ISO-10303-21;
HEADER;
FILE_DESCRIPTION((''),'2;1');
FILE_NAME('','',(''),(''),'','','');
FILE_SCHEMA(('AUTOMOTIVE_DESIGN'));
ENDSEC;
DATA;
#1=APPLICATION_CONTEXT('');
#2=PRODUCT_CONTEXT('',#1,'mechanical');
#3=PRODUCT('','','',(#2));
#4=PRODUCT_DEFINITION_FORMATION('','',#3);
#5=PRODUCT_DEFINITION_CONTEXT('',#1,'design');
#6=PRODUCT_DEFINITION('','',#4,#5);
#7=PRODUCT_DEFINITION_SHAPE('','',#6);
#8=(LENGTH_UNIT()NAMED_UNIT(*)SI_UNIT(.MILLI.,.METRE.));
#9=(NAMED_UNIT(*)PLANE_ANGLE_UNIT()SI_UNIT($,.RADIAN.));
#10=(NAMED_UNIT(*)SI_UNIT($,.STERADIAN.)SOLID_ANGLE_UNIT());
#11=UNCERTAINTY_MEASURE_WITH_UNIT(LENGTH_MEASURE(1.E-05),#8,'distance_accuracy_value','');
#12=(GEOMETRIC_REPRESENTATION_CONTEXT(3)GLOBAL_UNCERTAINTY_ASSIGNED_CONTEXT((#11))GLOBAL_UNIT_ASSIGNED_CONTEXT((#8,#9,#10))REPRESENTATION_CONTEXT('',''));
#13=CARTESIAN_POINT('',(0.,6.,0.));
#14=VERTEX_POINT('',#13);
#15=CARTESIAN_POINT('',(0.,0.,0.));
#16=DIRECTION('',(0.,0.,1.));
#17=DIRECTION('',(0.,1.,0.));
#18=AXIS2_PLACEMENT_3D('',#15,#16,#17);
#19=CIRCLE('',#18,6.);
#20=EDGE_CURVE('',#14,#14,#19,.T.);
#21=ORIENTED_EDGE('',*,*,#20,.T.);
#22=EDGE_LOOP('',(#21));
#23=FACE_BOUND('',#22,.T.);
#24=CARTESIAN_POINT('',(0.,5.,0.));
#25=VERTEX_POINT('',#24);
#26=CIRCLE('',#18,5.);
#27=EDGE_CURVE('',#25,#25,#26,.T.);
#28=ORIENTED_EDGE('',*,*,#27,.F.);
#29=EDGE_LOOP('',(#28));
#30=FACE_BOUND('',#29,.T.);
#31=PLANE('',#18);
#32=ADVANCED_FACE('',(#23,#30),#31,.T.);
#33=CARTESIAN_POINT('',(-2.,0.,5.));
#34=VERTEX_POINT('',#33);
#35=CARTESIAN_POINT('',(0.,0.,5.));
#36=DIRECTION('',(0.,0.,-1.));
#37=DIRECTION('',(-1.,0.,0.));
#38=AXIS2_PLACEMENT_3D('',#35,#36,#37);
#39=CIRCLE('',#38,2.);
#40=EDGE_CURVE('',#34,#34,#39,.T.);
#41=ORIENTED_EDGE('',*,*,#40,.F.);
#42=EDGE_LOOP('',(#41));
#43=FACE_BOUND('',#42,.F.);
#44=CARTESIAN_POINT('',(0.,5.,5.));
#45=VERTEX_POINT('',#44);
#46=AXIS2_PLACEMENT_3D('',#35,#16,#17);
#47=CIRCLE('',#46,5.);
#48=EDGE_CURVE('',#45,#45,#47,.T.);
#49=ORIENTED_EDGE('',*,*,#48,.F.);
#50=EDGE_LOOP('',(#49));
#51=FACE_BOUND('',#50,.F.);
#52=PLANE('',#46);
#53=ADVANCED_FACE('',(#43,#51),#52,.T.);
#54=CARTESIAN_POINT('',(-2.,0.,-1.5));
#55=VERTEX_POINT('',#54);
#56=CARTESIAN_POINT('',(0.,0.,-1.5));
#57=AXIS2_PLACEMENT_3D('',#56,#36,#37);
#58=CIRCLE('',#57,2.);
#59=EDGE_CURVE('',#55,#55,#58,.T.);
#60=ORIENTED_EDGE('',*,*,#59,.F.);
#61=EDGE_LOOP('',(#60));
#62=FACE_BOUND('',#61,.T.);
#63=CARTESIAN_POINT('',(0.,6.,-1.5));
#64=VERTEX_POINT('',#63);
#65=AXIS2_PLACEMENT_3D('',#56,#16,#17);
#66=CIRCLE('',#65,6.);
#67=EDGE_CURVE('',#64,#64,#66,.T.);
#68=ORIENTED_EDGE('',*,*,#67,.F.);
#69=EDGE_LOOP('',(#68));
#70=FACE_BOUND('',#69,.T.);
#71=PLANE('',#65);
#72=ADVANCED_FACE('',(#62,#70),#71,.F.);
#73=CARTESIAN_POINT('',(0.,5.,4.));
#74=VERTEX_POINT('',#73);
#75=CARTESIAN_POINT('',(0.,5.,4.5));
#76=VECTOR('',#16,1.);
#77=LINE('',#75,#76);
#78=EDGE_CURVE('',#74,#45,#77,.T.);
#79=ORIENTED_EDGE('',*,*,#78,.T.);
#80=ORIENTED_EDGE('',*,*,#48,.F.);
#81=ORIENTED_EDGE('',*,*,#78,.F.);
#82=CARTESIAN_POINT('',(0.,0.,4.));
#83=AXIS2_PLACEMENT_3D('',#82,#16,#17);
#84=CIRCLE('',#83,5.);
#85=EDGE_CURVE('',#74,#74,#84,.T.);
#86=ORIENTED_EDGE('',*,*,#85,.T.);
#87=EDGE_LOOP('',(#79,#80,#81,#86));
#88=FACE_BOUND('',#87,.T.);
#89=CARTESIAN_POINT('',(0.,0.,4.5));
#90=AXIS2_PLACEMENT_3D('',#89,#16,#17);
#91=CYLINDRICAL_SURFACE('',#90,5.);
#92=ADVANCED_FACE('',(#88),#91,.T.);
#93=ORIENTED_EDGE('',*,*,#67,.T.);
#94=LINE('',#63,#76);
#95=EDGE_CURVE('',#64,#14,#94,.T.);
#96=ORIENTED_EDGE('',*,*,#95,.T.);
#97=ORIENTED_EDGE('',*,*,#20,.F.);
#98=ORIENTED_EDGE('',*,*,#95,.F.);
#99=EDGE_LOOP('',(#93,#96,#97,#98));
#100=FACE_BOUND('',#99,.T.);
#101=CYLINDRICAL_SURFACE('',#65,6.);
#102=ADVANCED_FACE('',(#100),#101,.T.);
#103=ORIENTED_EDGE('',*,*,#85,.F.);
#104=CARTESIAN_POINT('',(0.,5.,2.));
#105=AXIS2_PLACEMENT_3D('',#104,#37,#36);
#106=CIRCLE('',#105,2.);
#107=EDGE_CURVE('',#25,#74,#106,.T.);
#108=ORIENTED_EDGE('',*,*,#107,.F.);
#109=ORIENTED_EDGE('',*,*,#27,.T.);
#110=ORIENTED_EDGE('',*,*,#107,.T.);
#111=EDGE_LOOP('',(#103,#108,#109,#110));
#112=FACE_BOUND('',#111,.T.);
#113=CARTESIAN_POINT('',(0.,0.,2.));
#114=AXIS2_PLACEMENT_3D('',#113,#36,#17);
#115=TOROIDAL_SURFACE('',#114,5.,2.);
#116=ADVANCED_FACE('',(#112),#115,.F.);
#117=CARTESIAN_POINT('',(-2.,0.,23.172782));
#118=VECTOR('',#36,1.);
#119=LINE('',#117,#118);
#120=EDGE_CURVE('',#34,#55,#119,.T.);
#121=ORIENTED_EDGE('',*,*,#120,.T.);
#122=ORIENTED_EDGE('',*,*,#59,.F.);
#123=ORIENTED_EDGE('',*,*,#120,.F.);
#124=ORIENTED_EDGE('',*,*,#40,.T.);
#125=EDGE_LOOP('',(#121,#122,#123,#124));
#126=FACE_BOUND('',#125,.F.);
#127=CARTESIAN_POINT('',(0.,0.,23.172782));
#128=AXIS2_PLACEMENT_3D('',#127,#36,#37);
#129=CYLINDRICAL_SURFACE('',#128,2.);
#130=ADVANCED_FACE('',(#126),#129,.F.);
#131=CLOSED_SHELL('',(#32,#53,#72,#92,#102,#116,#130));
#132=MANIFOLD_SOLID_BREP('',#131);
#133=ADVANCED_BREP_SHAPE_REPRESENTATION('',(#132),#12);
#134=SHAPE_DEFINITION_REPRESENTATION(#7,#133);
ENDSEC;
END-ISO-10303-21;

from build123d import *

# Parameters (mm, degrees)
F0_W = 5
F0_H = 1
F3_D = 4


with BuildPart() as f1:
    # F0 (on Right) → F1 (revolve)
    with BuildSketch(Plane.YZ):
        Polygon((5, 0), (0, 0), (0, -1.5), (6, -1.5), (6, 0), align=None)
        with BuildLine():
            Line((0, 4), (0, 0))
            Line((0, 0), (5, 0))
            ThreePointArc((5, 0), (3, 2), (5, 4))
            Line((5, 4), (0, 4))
        make_face()
        with Locations((2.5, 4.5)):
            Rectangle(F0_W, F0_H)
    revolve(axis=Axis((0, 0, 2), (0, 0, 1)))

    # F3 (through all)
    with Locations(Plane.XY.offset(5)):
        with Locations((0, 0)):
            Hole(F3_D / 2)


solid = f1.part
